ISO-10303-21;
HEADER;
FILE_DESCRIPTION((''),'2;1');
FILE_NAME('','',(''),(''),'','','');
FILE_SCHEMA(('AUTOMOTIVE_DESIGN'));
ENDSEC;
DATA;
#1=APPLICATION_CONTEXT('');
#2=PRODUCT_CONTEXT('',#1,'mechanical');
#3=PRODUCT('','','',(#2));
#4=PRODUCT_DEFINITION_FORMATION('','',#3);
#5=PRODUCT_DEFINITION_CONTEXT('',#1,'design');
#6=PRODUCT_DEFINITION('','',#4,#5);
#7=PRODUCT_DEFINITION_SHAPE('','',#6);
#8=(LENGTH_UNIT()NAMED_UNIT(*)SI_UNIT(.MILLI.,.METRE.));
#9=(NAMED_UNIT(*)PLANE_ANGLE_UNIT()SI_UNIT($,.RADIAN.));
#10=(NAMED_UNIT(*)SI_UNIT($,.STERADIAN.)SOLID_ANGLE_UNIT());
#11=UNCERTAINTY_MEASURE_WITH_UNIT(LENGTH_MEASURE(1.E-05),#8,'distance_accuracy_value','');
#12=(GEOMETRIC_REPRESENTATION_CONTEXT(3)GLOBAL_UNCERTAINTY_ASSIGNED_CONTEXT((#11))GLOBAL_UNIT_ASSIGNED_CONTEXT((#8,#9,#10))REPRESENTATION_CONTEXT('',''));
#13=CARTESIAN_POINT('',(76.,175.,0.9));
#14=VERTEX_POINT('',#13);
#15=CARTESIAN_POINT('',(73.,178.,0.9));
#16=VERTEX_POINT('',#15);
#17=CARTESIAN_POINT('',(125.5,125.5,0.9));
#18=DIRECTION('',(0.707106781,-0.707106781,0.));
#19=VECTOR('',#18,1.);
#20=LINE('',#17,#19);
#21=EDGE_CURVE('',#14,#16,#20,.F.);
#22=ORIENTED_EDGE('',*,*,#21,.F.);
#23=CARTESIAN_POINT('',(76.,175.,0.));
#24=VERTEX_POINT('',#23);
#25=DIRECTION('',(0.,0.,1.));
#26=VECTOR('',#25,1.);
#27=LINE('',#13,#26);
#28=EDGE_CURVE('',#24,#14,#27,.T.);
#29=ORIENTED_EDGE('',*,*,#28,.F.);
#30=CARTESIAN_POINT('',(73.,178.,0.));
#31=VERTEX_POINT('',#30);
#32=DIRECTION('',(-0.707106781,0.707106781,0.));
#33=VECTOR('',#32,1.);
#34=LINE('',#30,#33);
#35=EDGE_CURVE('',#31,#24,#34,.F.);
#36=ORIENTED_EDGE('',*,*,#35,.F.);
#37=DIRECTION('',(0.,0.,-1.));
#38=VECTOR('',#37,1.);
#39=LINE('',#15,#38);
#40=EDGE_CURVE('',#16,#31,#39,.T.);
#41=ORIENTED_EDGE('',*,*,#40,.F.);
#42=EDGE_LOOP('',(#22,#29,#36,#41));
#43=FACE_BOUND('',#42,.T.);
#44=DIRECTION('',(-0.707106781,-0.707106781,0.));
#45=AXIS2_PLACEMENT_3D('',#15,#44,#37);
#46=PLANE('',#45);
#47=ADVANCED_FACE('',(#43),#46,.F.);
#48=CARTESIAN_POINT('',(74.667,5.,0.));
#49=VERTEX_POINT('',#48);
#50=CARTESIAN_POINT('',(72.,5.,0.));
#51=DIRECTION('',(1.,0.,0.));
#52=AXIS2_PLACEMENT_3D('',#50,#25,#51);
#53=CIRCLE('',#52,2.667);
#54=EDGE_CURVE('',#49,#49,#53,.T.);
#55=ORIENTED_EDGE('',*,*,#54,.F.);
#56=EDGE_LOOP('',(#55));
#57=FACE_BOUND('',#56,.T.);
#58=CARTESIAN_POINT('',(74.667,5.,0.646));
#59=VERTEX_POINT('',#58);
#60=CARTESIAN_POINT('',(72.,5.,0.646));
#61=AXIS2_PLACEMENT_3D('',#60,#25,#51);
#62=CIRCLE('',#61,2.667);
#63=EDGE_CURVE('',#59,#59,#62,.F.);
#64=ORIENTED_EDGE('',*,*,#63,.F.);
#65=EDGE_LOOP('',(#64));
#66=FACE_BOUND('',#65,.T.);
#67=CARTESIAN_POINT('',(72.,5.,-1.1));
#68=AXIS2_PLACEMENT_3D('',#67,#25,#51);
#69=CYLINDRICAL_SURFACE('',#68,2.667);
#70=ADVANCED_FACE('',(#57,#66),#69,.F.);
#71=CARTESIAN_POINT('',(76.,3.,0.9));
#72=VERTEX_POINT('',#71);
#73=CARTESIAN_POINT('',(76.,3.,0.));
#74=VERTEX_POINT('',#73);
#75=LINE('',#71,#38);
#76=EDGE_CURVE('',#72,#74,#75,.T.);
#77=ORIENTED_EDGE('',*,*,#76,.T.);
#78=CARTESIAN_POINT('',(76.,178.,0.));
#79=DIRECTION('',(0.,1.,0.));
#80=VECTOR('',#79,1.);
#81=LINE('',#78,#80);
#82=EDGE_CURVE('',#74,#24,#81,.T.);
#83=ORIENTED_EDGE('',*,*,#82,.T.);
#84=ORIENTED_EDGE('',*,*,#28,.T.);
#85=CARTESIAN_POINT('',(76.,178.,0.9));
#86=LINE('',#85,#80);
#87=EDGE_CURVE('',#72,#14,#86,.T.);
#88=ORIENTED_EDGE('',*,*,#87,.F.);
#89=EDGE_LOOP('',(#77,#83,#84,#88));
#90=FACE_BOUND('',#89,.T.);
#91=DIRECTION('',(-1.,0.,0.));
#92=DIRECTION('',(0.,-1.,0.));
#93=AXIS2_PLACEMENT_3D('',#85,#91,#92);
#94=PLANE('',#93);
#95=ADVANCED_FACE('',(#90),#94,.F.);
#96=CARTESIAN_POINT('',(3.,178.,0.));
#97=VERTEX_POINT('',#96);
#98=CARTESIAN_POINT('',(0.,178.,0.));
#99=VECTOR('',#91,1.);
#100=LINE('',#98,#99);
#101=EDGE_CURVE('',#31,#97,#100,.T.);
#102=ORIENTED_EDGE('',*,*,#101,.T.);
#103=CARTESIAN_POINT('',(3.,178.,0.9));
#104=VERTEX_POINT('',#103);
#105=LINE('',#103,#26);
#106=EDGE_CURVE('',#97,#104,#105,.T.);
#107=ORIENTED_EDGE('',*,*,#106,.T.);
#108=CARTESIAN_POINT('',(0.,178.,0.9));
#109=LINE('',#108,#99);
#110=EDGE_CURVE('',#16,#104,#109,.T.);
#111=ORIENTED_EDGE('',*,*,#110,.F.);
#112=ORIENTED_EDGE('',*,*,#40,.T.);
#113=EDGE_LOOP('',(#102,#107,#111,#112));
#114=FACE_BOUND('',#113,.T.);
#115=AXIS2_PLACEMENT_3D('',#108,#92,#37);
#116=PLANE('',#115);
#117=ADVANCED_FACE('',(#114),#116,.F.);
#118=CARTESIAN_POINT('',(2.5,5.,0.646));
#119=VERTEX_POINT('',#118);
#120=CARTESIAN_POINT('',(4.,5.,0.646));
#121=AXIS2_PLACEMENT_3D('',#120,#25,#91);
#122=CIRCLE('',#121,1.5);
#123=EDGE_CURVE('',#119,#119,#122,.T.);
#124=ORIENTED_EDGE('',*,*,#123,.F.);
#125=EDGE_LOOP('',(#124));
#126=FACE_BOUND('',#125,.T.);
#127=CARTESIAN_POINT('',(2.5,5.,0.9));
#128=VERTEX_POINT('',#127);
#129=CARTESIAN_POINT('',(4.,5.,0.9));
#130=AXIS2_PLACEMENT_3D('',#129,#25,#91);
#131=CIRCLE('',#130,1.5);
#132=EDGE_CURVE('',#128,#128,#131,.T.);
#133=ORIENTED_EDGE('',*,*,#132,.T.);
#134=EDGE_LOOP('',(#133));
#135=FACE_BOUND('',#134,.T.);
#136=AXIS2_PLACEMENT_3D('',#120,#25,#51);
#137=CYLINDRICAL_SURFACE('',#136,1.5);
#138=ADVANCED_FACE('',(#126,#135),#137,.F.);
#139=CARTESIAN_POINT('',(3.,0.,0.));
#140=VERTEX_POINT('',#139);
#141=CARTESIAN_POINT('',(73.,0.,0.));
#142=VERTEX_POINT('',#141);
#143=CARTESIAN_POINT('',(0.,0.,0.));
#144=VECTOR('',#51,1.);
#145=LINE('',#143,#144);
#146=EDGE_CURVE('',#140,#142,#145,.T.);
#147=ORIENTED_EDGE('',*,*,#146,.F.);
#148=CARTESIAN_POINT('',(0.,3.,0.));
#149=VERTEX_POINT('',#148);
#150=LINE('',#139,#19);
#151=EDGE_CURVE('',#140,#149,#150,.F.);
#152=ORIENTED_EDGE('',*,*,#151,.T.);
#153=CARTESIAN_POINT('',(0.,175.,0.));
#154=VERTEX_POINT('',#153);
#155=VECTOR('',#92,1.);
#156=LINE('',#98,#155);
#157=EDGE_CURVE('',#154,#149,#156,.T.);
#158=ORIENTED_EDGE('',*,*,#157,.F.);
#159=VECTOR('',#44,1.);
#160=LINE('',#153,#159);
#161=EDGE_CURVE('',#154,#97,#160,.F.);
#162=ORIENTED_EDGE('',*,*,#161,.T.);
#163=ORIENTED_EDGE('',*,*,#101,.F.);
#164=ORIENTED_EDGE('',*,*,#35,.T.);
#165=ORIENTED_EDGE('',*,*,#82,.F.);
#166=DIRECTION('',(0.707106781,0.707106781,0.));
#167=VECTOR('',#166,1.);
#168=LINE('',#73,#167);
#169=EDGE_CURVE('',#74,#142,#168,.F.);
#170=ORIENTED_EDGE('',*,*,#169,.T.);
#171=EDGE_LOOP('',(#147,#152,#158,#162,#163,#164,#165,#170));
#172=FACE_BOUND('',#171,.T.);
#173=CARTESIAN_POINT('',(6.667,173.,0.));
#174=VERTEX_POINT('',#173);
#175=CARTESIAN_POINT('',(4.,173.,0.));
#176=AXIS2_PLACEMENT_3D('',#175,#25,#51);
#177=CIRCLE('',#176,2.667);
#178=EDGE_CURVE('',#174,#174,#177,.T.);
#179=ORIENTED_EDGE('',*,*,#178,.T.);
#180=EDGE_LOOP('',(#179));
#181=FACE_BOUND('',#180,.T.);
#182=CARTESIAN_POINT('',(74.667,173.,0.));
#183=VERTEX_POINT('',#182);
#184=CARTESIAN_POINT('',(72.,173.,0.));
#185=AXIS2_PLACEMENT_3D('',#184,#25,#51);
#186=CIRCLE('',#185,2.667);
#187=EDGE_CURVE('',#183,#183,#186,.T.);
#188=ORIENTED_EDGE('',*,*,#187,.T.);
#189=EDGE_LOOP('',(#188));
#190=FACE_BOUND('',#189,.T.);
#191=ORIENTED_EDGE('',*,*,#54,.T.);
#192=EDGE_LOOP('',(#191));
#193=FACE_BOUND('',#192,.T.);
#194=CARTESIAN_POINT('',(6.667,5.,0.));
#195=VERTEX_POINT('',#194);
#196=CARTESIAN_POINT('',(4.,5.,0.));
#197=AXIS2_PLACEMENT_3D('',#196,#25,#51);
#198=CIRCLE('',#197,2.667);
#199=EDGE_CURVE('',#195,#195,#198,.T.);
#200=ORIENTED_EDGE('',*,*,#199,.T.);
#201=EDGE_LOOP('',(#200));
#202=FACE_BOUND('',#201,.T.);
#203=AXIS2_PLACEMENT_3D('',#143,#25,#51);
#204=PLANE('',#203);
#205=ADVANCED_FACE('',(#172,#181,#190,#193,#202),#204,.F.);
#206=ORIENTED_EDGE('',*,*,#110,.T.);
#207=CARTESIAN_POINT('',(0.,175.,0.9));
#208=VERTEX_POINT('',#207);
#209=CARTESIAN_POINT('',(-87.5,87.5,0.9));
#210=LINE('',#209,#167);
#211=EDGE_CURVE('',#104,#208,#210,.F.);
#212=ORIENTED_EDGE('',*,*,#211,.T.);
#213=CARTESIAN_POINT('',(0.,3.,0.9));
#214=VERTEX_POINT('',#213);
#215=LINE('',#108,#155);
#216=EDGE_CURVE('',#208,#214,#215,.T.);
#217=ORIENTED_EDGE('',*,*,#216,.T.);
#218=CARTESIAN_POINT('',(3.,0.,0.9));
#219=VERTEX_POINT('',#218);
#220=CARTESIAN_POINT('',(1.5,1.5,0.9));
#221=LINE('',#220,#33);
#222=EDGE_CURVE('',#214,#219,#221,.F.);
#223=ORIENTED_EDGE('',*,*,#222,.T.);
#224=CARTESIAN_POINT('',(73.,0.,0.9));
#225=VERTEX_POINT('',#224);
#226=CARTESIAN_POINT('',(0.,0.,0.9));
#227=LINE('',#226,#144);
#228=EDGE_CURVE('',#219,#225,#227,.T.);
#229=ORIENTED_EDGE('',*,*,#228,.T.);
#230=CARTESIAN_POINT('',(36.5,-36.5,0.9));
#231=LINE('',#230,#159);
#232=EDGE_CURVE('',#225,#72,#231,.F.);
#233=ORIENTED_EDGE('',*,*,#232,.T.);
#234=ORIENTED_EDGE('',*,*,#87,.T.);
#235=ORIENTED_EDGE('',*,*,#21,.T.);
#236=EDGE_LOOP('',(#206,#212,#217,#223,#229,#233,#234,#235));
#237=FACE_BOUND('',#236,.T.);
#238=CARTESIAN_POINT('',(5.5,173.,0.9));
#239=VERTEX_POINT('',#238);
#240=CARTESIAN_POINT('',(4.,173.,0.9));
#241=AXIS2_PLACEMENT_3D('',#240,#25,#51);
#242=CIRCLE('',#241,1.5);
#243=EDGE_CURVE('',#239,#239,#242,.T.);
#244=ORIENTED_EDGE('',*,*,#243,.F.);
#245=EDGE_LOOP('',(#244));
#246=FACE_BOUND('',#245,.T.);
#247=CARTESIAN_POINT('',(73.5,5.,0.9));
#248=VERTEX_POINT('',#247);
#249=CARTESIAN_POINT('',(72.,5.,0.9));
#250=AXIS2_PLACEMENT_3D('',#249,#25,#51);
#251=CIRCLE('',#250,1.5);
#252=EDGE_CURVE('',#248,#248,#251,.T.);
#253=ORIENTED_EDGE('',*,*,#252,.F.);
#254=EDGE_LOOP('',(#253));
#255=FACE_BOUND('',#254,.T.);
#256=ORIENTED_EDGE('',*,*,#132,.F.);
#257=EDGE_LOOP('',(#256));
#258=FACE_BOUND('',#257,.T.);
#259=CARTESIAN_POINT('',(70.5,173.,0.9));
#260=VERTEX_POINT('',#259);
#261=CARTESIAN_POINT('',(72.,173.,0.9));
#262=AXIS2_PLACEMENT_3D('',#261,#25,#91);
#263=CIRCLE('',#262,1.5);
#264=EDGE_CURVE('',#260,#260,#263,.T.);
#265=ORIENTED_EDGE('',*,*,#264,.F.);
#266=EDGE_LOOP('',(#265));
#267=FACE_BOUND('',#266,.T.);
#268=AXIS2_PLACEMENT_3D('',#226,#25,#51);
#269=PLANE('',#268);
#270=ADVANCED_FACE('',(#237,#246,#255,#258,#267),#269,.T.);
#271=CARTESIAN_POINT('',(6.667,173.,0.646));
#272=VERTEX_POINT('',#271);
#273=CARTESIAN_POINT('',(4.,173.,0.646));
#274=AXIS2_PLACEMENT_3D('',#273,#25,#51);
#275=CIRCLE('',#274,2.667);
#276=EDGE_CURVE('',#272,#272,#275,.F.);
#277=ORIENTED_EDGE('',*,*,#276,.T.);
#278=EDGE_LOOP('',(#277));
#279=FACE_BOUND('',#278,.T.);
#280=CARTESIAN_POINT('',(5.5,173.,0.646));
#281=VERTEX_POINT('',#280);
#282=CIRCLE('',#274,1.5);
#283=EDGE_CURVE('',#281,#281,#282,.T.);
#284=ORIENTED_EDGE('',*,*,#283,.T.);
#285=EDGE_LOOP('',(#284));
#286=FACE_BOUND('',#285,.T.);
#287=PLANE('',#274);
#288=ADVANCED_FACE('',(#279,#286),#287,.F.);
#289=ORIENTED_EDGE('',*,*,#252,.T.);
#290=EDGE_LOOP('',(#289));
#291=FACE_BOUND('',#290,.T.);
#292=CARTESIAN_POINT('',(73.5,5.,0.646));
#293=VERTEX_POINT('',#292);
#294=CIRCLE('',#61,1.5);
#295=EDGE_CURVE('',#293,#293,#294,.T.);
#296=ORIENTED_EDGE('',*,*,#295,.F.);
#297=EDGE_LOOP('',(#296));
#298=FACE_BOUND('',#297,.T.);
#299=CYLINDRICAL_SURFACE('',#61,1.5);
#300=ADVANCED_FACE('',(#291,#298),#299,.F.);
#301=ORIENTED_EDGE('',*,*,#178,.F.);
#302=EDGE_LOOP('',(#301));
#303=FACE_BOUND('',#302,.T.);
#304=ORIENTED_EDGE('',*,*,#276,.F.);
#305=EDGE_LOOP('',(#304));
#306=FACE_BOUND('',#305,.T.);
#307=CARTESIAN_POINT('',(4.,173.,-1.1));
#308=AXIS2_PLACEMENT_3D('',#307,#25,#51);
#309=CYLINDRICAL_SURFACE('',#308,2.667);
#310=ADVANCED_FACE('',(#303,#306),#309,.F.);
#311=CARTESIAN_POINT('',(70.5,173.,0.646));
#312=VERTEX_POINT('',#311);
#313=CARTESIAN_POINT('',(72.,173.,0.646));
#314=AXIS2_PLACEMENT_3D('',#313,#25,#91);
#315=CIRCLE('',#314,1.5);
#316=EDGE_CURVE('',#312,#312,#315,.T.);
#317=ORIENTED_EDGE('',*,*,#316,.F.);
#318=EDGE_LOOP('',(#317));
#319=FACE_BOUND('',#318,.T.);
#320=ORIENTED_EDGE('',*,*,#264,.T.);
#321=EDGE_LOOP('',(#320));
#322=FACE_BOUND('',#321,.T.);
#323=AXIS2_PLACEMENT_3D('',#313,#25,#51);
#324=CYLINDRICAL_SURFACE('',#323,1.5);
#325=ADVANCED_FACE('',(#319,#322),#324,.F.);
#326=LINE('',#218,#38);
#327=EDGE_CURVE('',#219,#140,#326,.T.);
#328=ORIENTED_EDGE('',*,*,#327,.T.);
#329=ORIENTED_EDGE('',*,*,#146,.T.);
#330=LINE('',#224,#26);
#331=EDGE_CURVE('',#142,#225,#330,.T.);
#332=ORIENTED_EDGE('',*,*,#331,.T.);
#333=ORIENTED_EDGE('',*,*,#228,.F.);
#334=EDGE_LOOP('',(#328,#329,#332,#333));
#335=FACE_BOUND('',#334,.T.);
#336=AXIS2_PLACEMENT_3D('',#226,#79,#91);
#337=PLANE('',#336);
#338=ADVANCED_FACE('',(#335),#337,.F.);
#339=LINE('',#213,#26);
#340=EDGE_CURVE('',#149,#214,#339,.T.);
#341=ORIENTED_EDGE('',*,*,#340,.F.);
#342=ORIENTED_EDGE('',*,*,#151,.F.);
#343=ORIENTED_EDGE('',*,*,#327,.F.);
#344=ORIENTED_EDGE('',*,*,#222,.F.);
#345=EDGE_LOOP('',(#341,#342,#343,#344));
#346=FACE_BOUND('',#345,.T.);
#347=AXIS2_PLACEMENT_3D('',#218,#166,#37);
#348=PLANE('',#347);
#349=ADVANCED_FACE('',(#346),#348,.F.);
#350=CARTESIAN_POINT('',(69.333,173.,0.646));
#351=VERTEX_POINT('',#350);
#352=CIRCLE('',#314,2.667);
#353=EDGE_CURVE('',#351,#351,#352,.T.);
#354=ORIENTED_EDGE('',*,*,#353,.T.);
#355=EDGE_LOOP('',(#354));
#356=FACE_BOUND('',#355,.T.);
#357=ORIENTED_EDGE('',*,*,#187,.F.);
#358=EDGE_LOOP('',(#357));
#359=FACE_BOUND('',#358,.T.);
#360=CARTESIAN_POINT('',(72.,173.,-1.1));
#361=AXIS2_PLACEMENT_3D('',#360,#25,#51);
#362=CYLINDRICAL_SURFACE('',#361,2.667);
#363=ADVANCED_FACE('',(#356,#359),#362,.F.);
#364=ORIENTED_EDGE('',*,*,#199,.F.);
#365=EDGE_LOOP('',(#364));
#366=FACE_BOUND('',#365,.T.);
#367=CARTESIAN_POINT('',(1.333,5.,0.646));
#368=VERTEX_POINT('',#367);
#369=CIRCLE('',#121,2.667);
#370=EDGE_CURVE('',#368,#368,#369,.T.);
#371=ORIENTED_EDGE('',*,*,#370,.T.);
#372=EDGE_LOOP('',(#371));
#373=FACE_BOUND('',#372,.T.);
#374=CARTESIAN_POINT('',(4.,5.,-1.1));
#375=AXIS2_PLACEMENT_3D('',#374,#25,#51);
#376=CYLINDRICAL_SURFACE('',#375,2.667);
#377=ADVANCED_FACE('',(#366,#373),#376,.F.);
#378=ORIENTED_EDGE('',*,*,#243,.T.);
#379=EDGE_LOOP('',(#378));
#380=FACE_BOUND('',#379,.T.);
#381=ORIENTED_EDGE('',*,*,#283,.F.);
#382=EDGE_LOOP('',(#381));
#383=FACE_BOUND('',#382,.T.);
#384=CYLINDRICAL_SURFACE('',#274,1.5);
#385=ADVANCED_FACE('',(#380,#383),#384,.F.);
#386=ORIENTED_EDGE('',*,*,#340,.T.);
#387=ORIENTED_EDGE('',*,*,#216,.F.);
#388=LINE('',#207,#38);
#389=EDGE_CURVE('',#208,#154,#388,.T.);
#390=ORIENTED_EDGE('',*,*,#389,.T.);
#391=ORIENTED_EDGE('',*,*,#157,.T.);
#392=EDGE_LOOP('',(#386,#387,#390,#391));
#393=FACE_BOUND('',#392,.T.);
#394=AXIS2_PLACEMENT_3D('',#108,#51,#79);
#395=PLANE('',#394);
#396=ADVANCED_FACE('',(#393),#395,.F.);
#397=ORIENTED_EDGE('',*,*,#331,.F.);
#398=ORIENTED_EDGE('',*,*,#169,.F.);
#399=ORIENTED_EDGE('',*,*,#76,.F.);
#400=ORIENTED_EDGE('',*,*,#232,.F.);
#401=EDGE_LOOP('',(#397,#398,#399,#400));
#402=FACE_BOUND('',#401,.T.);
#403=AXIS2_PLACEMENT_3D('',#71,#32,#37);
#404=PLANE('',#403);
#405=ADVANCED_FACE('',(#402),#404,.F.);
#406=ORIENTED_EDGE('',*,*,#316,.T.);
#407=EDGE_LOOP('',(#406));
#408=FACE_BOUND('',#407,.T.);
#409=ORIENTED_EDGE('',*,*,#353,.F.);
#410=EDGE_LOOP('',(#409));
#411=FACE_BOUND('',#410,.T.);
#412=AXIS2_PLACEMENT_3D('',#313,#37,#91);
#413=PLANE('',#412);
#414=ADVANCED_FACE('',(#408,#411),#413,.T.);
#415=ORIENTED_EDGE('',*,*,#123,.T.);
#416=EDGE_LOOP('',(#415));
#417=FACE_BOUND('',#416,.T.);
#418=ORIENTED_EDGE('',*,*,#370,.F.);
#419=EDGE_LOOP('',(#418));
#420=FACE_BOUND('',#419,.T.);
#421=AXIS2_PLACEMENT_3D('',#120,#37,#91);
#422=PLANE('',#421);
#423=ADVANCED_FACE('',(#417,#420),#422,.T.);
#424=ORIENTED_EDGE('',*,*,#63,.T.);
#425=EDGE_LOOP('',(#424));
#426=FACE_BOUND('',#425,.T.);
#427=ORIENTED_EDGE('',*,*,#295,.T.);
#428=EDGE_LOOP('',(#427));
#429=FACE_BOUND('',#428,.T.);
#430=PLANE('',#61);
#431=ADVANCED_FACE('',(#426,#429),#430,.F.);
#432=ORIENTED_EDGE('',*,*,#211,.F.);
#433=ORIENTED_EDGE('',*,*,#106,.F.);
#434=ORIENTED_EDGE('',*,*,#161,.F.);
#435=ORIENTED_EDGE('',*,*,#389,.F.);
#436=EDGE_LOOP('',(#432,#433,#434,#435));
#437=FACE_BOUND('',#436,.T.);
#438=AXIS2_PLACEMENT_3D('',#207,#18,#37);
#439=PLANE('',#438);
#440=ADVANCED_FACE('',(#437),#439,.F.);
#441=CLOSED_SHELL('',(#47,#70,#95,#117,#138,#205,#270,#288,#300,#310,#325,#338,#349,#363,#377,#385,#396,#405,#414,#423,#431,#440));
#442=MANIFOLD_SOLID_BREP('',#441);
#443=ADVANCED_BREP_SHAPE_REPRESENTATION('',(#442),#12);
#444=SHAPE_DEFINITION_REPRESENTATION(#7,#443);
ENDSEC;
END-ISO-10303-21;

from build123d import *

# Parameters (mm, degrees)
SKETCH2_W           = 76
SKETCH2_H           = 178
BOSS_EXTRUDE1_DEPTH = 0.9
SKETCH4_R           = 2.667
CUT_EXTRUDE1_DEPTH  = 2
SKETCH5_R           = 2.667
SKETCH5_R_2         = 1.5
BOSS_EXTRUDE2_DEPTH = 0.254
CHAMFER1_SIZE       = 3


with BuildPart() as part:
    # Sketch2 → Boss-Extrude1 (new body)
    with BuildSketch(Plane.XY):
        with Locations((38, 89)):
            Rectangle(SKETCH2_W, SKETCH2_H)
    extrude(amount=BOSS_EXTRUDE1_DEPTH)

    # Sketch4 → Cut-Extrude1 (cut)
    with BuildSketch(Plane.XY.offset(0.9)):
        with Locations((4, 173)):
            Circle(SKETCH4_R)
        with Locations((72, 173)):
            Circle(SKETCH4_R)
        with Locations((72, 5)):
            Circle(SKETCH4_R)
        with Locations((4, 5)):
            Circle(SKETCH4_R)
    extrude(amount=-CUT_EXTRUDE1_DEPTH, mode=Mode.SUBTRACT)

    # Sketch5 → Boss-Extrude2 (add)
    # profile 1 of 4: a face of its own
    with BuildSketch(Plane.XY.offset(0.9)):
        with Locations((4, 5)):
            Circle(SKETCH5_R)
        with Locations(Location((4, 5, 0), (0, 0, 180))):
            Circle(SKETCH5_R_2, mode=Mode.SUBTRACT)
    # profile 2 of 4: a face of its own
    with BuildSketch(Plane.XY.offset(0.9)):
        with Locations((4, 173)):
            Circle(SKETCH5_R)
        with Locations((4, 173)):
            Circle(SKETCH5_R_2, mode=Mode.SUBTRACT)
    # profile 3 of 4: a face of its own
    with BuildSketch(Plane.XY.offset(0.9)):
        with Locations((72, 5)):
            Circle(SKETCH5_R)
        with Locations((72, 5)):
            Circle(SKETCH5_R_2, mode=Mode.SUBTRACT)
    # profile 4 of 4: a face of its own
    with BuildSketch(Plane.XY.offset(0.9)):
        with Locations((72, 173)):
            Circle(SKETCH5_R)
        with Locations(Location((72, 173, 0), (0, 0, 180))):
            Circle(SKETCH5_R_2, mode=Mode.SUBTRACT)
    extrude(amount=-BOSS_EXTRUDE2_DEPTH)

    # Chamfer1
    chamfer1_edges = [part.edges().sort_by_distance(p)[0] for p in [
        (0, 178, 0.45),
        (76, 178, 0.45),
        (76, 0, 0.45),
        (0, 0, 0.45),
    ]]
    chamfer(chamfer1_edges, length=CHAMFER1_SIZE)


solid = part.part
